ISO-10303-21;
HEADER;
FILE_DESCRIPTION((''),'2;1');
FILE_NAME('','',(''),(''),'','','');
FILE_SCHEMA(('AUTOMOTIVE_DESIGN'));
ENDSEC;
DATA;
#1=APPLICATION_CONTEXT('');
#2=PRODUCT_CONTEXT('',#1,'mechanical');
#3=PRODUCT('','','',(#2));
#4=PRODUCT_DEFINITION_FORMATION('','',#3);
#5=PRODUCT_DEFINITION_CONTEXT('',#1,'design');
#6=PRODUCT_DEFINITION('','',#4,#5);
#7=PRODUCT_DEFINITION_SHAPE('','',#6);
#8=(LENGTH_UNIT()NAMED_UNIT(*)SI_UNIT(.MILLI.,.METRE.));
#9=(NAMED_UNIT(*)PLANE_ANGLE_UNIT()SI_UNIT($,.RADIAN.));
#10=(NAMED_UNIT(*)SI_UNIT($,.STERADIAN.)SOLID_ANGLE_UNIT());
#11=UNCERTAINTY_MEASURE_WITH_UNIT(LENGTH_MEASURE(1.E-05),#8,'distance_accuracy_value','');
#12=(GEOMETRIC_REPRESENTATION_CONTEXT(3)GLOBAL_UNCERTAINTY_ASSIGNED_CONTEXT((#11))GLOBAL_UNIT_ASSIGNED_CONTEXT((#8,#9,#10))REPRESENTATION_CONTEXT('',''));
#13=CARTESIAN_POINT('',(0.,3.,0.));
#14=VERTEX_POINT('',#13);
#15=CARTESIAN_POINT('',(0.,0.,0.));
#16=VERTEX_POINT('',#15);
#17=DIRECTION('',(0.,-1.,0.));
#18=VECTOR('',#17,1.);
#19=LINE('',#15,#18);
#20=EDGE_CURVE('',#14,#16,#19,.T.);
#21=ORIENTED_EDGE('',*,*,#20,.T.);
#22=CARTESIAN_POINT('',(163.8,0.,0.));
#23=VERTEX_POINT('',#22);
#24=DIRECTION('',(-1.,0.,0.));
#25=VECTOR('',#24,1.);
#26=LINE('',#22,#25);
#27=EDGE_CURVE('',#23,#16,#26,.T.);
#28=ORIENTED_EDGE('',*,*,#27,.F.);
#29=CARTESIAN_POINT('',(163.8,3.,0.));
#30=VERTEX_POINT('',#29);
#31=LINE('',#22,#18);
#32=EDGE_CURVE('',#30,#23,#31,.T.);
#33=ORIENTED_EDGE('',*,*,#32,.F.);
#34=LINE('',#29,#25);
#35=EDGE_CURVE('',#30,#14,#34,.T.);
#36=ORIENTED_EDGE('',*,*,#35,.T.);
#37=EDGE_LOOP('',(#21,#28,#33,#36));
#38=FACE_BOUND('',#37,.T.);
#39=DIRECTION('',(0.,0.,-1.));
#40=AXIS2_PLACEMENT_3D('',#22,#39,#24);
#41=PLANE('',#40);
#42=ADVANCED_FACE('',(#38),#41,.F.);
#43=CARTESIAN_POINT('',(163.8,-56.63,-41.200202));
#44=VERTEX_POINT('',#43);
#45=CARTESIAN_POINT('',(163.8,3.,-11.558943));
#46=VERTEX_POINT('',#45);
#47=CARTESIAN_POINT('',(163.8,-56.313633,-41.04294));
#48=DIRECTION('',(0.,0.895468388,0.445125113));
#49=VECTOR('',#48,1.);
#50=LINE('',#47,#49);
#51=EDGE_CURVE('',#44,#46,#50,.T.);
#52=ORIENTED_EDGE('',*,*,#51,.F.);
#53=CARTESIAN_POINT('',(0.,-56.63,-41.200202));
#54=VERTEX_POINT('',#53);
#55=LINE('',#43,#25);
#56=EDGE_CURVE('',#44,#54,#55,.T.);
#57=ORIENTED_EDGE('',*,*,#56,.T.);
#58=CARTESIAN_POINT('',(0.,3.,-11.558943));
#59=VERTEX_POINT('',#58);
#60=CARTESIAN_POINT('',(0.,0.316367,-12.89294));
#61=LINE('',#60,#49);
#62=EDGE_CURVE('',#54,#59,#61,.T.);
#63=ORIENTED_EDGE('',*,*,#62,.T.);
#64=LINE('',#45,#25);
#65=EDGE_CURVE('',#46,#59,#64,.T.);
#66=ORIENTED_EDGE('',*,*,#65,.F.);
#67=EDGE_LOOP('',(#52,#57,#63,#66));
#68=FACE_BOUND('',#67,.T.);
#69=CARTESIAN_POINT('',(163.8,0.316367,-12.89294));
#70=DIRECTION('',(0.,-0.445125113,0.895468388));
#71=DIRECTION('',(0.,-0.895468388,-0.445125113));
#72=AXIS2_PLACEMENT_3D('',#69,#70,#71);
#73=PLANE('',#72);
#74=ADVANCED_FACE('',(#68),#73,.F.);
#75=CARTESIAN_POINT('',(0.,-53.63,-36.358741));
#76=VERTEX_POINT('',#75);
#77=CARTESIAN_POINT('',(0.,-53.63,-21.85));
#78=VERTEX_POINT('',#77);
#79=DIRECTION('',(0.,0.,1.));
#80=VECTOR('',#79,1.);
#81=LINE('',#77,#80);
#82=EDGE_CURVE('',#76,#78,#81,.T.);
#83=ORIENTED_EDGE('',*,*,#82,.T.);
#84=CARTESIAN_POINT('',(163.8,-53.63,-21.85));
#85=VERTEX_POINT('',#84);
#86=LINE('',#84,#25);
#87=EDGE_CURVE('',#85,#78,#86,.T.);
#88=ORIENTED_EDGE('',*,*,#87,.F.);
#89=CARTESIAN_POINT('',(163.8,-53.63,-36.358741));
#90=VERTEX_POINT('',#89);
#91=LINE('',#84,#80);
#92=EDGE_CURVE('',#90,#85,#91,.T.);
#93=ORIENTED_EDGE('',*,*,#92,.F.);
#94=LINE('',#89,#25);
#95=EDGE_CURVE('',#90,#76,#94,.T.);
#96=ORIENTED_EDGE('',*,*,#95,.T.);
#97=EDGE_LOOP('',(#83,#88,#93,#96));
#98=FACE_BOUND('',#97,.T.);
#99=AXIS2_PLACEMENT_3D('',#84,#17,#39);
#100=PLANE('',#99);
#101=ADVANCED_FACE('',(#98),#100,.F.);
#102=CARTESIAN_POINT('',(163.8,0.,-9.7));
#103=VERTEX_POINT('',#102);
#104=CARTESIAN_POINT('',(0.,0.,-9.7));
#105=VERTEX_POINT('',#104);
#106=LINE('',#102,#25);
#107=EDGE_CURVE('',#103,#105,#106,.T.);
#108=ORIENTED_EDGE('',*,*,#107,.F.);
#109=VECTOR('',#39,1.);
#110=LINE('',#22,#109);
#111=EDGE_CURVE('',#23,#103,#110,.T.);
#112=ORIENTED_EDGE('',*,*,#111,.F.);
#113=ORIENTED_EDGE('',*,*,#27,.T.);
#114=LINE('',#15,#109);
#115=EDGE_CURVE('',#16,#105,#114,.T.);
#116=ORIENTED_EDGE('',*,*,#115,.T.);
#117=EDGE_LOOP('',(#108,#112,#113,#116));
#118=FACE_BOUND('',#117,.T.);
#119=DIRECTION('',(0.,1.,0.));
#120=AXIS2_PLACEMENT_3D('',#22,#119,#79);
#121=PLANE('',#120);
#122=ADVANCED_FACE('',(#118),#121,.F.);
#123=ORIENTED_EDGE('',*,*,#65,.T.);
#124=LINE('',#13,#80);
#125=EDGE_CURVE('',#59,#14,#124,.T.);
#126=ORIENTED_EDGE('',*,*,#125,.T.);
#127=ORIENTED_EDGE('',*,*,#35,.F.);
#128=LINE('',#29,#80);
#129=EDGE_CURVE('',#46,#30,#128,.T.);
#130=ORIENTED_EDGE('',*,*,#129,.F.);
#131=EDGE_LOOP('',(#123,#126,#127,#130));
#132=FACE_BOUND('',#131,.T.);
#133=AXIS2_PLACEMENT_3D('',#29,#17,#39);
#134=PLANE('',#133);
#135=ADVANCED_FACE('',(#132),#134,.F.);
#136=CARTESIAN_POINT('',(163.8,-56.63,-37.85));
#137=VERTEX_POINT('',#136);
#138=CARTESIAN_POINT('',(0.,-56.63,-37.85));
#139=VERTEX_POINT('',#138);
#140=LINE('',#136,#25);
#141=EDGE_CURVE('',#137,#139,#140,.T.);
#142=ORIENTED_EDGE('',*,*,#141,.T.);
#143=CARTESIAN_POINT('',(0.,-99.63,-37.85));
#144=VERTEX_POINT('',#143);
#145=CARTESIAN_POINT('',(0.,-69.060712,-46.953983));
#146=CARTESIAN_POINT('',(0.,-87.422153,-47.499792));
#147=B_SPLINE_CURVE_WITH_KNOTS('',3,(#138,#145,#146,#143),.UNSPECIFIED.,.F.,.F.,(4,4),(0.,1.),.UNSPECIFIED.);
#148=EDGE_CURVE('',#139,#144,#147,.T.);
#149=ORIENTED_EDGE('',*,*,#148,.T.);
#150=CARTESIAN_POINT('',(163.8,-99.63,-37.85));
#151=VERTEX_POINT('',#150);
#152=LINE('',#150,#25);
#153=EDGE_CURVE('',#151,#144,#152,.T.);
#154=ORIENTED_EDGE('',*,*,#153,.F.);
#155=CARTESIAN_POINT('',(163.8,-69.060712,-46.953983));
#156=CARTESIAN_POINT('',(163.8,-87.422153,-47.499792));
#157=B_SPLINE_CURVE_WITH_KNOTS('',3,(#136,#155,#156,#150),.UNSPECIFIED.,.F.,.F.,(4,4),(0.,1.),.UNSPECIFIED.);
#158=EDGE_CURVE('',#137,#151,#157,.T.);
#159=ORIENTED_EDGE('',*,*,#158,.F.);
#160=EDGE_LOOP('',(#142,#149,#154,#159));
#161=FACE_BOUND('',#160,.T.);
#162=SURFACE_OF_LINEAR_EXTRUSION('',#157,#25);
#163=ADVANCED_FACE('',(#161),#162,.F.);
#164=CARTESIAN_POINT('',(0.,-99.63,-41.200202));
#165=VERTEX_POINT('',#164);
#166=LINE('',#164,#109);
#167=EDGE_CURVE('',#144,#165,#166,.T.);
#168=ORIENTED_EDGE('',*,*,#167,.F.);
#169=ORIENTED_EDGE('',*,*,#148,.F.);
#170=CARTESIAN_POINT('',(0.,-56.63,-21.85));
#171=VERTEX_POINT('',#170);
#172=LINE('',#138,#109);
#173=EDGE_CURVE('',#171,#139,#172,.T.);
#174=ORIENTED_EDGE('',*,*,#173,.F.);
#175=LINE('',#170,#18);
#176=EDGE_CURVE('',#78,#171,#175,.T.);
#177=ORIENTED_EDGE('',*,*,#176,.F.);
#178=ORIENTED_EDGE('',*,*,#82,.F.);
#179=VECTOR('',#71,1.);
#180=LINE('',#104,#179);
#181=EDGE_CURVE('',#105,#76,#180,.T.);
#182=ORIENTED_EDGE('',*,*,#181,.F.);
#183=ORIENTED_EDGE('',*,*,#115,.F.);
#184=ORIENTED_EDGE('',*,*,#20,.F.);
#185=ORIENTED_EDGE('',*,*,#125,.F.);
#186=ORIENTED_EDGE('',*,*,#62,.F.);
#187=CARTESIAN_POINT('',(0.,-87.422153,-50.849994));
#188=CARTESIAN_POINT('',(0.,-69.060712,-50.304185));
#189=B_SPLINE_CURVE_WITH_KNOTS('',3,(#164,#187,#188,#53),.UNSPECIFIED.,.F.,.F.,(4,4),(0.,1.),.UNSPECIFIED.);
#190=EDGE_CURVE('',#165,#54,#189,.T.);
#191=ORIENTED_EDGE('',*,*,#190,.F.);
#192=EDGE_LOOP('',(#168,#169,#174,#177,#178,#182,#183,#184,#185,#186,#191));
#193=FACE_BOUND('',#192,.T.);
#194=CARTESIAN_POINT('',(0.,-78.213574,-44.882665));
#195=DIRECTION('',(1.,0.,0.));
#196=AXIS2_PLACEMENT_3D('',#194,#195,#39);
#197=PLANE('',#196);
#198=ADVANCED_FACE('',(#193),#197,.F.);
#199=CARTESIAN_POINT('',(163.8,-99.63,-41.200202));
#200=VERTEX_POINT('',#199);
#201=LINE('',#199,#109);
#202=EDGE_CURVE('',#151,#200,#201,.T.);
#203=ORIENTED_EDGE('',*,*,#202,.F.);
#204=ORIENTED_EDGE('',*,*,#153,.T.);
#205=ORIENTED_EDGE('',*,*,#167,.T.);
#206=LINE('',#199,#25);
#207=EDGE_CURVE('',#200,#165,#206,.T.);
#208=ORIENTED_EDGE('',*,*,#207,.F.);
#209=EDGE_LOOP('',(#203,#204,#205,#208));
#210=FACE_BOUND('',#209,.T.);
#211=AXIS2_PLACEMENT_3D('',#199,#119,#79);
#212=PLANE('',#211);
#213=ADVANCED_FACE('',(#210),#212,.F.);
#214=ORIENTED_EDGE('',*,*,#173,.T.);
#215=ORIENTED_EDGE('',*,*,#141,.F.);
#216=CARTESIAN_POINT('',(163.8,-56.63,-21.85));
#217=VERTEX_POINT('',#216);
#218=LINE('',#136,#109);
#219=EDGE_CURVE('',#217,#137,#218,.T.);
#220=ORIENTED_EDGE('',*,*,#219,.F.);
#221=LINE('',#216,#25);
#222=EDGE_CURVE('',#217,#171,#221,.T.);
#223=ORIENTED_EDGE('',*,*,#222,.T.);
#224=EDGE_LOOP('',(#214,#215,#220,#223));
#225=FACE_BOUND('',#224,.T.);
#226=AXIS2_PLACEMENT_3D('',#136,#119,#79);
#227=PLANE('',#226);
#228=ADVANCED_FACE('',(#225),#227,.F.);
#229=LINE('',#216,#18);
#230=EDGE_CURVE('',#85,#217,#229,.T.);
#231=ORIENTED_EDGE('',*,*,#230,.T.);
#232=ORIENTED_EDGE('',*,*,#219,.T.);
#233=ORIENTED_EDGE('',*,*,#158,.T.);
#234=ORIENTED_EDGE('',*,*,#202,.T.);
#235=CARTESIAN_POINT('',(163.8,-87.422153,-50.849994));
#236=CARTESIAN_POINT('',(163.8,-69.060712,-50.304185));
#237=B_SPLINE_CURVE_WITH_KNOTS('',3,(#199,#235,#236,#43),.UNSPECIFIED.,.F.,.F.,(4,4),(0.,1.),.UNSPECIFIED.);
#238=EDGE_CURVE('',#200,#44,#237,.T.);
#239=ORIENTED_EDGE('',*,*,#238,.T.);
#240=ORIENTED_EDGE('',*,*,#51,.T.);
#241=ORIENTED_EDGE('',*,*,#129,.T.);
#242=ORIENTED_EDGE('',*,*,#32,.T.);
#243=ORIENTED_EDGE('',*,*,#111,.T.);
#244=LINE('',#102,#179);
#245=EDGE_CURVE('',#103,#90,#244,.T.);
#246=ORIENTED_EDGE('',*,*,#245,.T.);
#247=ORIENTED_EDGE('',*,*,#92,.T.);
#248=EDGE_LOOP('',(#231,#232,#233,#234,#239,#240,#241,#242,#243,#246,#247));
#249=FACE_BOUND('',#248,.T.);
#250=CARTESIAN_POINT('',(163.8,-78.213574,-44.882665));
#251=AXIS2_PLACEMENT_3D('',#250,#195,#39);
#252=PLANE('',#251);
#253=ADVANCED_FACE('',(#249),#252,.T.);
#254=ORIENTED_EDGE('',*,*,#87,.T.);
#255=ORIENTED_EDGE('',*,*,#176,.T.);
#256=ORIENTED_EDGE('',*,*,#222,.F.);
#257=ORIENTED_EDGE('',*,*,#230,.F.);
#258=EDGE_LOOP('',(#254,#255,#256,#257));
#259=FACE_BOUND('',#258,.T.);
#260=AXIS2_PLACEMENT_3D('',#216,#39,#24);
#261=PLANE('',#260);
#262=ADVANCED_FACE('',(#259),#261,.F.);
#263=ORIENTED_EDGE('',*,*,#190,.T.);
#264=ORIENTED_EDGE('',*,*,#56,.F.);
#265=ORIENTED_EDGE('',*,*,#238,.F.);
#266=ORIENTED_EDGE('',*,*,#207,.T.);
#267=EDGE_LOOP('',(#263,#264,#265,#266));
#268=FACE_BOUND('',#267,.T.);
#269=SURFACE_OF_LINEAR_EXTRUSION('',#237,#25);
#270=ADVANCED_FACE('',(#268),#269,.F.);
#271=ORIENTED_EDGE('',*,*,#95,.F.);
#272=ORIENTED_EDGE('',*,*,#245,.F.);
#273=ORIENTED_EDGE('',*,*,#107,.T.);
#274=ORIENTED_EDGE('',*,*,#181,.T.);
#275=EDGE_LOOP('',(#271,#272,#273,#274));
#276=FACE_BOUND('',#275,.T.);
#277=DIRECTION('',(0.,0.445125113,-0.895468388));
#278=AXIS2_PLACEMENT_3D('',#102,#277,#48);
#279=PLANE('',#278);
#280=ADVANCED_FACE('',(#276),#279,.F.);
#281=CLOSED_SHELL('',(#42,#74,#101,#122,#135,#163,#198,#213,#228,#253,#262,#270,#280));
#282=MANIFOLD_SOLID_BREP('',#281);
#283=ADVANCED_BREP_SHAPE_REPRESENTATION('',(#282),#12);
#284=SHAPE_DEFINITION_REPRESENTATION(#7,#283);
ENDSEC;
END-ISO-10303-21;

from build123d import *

# Parameters (mm, degrees)
EXTRUDE_1_DEPTH = 163.8


with BuildPart() as part:
    # 草图1 → 凸台-拉伸1 (new body)
    with BuildSketch(Plane(origin=(0, 0, 0), x_dir=(0, 0, -1), z_dir=(1, 0, 0))):
        with BuildLine():
            Line((9.7, 0), (36.35874095, -53.63))
            Line((36.35874095, -53.63), (21.85, -53.63))
            Line((21.85, -53.63), (21.85, -56.63))
            Line((21.85, -56.63), (37.85, -56.63))
            add(Edge.make_bspline(
                [(37.85, -56.63), (46.953982553, -69.060712167), (47.499791502, -87.422152902), (37.85, -99.63)],
                knots=[0, 0, 0, 0, 1, 1, 1, 1], degree=3))
            Line((37.85, -99.63), (41.200202017, -99.63))
            add(Edge.make_bspline(
                [(41.200202017, -56.63), (50.30418457, -69.060712167), (50.849993519, -87.422152902), (41.200202017, -99.63)],
                knots=[0, 0, 0, 0, 1, 1, 1, 1], degree=3))
            Line((41.200202017, -56.63), (41.042940367, -56.313633136))
            Line((41.042940367, -56.313633136), (12.892940367, 0.316366864))
            Line((12.892940367, 0.316366864), (11.558942967, 3))
            Line((11.558942967, 3), (0, 3))
            Line((0, 3), (0, 0))
            Line((0, 0), (9.7, 0))
        make_face()
    extrude(amount=EXTRUDE_1_DEPTH)


solid = part.part
